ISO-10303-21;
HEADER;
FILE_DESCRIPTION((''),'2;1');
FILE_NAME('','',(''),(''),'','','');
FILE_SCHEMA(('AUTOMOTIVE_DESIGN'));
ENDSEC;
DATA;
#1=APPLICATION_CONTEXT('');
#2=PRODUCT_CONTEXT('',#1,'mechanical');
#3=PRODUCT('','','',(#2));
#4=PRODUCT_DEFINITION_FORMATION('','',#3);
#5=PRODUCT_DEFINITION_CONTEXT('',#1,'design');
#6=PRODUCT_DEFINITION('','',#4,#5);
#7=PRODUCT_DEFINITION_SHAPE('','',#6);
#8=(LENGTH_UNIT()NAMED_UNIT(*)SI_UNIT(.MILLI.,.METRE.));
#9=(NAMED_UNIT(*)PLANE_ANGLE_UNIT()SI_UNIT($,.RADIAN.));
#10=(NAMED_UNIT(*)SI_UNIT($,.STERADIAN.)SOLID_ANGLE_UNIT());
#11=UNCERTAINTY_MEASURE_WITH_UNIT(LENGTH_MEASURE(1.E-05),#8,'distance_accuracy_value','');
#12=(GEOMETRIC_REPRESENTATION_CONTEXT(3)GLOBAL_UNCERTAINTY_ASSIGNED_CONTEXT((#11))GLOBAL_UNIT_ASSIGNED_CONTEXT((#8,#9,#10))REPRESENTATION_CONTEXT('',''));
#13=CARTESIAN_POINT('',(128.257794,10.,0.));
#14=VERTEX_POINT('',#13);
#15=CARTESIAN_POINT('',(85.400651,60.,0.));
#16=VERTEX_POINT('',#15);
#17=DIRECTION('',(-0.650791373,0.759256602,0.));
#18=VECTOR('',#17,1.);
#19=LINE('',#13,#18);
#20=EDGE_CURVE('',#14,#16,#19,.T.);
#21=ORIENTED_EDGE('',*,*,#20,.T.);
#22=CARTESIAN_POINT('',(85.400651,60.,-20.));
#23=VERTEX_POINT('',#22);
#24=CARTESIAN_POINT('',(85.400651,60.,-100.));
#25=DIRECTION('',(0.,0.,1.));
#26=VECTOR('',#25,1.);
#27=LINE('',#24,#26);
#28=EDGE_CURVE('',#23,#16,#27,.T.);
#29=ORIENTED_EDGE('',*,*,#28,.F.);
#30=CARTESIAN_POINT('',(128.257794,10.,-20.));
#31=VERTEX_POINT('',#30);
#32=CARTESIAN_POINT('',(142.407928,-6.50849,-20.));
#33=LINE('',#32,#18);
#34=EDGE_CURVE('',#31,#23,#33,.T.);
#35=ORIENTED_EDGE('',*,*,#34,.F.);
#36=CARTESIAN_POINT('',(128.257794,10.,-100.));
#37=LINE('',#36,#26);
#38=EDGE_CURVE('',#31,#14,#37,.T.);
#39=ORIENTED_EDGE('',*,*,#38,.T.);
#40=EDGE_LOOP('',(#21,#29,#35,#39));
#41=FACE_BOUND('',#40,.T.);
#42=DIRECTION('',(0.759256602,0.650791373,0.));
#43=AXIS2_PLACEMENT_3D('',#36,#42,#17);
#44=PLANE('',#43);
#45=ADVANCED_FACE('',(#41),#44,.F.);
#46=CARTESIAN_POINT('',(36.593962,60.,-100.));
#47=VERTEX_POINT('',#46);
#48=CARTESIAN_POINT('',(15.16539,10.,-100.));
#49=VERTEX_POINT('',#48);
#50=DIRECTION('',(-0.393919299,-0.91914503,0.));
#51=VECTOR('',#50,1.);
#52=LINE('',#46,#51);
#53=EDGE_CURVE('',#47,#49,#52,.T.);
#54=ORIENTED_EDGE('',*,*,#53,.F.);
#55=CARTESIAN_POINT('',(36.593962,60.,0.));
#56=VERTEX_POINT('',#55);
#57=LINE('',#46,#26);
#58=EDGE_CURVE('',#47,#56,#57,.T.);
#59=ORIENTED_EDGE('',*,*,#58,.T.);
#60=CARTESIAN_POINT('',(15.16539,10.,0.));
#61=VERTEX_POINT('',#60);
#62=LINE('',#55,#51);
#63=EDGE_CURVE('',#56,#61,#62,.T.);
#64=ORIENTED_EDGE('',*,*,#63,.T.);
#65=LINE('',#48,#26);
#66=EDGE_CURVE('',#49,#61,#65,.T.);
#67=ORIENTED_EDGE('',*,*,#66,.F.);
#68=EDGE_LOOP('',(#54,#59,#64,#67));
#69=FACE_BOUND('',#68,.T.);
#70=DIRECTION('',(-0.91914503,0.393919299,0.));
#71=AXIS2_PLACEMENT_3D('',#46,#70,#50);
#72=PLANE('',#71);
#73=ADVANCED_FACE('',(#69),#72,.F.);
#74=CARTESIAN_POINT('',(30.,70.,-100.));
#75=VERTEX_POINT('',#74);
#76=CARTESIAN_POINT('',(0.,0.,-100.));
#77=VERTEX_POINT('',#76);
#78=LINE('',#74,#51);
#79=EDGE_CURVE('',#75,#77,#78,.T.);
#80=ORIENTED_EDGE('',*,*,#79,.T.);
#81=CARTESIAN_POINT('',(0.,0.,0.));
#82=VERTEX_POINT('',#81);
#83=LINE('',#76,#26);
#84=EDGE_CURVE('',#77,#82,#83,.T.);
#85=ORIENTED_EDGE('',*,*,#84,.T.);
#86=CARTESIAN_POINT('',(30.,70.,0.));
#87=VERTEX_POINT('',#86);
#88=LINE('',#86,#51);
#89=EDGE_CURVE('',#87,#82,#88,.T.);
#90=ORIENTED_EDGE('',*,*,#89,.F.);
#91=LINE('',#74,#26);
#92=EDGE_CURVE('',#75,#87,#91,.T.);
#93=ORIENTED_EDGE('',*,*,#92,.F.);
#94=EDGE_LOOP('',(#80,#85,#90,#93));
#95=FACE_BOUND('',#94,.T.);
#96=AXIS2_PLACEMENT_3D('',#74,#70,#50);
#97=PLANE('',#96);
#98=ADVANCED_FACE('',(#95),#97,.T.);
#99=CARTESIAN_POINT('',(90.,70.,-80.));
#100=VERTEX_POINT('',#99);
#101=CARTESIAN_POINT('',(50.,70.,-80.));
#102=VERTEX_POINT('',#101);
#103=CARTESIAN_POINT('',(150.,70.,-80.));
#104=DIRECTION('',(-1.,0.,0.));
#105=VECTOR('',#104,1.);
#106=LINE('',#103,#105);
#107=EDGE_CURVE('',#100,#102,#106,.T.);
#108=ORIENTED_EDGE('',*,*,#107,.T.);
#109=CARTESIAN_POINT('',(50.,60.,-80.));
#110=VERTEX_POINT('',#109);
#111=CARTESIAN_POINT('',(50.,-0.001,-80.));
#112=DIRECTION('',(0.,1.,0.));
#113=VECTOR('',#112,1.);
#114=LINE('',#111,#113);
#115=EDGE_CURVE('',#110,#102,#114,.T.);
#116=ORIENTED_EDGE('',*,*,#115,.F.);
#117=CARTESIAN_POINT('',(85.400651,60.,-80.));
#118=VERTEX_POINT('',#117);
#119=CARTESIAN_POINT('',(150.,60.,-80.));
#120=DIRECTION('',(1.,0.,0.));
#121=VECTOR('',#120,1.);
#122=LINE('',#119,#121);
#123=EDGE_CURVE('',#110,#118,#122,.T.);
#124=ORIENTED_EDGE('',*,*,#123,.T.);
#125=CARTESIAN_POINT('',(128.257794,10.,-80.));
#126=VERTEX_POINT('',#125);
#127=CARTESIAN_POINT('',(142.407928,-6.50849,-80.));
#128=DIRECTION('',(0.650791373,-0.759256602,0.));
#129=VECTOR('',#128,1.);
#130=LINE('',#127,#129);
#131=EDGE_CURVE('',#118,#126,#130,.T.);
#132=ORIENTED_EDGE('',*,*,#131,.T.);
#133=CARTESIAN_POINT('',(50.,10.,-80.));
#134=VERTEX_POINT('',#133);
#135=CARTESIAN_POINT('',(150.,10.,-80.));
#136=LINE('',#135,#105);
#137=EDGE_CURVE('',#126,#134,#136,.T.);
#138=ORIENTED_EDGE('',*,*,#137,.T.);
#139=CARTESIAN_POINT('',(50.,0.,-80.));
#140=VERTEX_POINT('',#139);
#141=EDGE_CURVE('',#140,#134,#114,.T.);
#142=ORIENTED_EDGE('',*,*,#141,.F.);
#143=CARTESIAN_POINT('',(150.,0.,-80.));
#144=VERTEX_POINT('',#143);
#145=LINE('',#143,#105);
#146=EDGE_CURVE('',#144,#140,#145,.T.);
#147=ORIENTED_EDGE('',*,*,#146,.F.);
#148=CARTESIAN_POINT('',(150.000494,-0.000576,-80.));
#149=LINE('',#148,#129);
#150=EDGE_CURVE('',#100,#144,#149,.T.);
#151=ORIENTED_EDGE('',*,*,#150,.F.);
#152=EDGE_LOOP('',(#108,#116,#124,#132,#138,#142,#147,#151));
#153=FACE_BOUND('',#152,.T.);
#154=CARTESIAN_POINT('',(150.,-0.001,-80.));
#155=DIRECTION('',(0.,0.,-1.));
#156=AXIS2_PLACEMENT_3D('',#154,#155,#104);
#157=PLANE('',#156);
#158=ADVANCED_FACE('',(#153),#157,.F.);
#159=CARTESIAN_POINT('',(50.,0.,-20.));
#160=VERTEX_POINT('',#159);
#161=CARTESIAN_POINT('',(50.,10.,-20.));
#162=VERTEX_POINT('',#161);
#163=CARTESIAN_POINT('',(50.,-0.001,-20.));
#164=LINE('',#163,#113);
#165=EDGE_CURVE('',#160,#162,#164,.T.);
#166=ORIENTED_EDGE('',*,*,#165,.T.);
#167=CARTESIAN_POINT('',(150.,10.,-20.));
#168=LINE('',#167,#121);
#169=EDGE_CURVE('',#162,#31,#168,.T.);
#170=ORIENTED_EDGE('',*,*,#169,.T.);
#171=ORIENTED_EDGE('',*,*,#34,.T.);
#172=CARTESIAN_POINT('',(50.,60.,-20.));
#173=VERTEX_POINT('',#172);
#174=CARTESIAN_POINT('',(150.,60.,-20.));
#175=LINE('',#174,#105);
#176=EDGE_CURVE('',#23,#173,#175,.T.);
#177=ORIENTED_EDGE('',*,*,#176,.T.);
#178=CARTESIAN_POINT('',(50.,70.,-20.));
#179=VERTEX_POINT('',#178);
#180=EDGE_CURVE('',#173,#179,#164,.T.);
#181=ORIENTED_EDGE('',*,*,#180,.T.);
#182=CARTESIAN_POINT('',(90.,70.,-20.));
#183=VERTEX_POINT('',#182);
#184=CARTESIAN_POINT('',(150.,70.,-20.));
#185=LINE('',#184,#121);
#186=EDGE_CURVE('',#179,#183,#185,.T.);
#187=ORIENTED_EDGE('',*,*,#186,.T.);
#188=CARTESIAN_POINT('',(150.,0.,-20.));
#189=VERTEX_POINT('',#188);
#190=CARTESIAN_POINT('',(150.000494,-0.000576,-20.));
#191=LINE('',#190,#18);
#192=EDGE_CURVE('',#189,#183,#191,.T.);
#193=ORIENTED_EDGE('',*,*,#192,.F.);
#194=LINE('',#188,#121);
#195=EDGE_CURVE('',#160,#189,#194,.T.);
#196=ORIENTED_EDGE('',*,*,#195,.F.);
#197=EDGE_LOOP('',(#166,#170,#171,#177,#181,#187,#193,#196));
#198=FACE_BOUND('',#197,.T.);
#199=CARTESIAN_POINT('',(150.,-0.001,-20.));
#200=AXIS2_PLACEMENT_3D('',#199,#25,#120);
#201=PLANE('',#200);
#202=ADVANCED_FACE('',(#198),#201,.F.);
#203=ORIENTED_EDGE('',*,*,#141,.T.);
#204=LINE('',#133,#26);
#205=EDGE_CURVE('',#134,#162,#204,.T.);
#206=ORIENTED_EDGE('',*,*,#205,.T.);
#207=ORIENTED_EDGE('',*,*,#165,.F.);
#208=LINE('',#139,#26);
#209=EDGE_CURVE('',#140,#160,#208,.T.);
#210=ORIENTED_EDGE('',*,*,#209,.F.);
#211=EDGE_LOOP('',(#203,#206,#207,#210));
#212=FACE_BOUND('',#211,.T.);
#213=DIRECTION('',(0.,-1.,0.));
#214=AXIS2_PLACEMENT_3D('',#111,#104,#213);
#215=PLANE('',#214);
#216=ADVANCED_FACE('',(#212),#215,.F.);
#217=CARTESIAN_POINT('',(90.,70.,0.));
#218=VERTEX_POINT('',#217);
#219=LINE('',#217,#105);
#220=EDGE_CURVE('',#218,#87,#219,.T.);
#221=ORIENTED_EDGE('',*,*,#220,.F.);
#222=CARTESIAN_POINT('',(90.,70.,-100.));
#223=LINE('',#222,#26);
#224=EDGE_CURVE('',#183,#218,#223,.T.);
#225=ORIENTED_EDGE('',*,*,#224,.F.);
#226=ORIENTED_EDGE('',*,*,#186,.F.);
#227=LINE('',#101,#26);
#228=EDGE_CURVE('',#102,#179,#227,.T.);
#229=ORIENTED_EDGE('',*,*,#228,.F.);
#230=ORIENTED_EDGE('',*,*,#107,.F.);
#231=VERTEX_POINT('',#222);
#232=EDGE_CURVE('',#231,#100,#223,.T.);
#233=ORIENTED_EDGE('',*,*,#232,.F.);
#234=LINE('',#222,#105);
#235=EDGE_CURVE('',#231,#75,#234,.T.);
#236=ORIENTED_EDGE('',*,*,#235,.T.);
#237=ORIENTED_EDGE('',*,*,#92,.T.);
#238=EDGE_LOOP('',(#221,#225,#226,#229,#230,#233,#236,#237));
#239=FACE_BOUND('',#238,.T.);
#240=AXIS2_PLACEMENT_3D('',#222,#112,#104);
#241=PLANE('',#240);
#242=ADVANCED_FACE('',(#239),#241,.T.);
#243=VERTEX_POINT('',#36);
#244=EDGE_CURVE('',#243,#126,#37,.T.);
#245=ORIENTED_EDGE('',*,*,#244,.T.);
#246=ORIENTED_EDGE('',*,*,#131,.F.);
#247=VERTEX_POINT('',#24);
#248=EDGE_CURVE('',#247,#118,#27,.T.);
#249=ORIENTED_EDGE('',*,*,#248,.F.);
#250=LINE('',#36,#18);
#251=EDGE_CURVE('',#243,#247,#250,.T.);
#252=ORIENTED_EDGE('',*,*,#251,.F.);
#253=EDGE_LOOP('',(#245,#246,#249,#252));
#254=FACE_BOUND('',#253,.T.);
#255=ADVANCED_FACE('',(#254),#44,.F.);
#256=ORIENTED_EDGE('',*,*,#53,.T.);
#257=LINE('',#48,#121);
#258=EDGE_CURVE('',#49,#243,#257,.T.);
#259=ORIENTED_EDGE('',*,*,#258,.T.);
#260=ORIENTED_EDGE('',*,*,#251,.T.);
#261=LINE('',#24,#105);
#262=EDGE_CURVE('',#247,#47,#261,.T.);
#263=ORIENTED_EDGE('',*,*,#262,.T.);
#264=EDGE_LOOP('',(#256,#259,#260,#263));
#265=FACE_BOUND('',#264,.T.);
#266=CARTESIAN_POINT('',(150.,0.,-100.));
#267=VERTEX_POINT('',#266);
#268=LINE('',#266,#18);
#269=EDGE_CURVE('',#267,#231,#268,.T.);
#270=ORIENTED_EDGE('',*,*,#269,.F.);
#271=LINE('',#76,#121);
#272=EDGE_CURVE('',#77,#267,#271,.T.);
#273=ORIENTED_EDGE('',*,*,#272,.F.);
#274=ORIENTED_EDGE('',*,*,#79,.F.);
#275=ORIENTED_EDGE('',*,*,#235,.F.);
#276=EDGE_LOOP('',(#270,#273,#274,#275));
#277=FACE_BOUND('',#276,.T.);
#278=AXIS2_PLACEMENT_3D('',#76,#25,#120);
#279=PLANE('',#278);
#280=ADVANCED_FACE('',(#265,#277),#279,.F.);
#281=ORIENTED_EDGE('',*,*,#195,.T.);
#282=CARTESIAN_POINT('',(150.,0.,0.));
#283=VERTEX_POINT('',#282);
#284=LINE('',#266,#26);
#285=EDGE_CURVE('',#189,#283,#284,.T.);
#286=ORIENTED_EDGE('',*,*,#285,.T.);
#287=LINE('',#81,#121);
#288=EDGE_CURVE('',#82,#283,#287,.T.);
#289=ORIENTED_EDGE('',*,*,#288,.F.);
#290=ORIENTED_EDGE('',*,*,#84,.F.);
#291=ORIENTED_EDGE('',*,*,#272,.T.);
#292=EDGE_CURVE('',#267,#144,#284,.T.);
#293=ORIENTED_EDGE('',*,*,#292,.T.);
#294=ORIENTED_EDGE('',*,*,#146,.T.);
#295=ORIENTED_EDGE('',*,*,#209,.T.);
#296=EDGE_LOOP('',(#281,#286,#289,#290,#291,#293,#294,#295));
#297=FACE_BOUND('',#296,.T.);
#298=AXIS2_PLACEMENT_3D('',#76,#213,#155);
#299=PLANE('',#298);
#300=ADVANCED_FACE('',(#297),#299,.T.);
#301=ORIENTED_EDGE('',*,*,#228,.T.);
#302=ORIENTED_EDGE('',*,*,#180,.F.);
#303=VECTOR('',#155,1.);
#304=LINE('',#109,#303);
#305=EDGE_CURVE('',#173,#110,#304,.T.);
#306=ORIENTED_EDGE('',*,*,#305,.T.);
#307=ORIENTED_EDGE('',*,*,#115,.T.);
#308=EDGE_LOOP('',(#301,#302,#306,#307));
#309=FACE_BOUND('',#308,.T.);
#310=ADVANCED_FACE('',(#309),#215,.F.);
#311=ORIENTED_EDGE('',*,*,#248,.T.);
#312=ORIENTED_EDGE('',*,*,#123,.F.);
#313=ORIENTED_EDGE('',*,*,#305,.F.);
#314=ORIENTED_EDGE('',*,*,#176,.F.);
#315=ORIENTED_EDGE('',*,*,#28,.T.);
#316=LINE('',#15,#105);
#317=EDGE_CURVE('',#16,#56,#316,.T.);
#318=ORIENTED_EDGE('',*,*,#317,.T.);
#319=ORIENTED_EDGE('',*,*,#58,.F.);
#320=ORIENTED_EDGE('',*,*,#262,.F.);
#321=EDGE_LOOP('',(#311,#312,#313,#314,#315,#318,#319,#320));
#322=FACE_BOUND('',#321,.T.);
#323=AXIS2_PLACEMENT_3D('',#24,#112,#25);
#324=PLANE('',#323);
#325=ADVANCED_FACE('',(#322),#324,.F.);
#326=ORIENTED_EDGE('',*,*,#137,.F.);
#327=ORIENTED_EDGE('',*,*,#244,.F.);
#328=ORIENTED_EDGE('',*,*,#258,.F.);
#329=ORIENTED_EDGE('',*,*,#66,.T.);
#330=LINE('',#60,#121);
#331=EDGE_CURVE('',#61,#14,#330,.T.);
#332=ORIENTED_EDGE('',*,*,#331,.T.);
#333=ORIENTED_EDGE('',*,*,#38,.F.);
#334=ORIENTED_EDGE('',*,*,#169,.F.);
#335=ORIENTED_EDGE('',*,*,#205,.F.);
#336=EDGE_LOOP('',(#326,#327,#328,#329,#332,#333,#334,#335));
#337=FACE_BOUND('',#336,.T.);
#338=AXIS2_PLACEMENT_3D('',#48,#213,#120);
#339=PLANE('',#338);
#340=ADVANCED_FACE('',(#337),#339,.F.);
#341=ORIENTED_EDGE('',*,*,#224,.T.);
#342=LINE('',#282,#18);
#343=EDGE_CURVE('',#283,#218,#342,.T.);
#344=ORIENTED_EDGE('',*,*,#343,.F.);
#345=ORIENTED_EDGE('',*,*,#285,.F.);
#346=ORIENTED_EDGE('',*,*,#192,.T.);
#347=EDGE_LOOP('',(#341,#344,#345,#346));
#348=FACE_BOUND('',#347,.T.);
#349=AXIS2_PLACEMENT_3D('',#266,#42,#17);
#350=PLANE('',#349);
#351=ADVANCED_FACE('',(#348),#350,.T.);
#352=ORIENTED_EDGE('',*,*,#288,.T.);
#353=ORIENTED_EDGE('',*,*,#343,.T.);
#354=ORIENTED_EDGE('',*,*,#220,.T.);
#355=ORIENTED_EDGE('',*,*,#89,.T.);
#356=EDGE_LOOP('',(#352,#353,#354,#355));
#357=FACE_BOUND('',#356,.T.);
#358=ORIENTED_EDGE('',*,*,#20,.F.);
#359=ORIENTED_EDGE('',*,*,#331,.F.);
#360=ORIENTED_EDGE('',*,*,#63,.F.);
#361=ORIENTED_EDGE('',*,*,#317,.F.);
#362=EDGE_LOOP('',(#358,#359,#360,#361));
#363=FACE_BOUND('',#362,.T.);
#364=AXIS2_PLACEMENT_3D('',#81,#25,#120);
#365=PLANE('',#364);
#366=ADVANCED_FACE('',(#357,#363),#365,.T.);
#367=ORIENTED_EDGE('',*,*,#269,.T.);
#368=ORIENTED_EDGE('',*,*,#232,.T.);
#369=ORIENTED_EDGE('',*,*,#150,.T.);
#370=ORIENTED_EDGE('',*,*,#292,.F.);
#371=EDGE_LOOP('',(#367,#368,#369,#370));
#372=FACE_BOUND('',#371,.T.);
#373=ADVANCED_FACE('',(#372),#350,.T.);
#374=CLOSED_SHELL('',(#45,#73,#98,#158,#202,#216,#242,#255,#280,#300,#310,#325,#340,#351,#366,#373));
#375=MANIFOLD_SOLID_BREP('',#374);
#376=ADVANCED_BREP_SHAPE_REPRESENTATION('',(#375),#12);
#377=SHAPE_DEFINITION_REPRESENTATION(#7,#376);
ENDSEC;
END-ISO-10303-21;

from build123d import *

# Parameters (mm, degrees)
BOSS_EXTRU_2_DEPTH      = 100
ENL_V_MAT_EXTRU_1_REACH = 72
ESQUISSE2_W             = 100
ESQUISSE2_H             = 60


with BuildPart() as part:
    # Esquisse1 → Boss.-Extru.2 (new body)
    with BuildSketch(Plane.XY):
        Polygon((0, 0), (150, 0), (90, 70), (30, 70), align=None)
        Polygon((36.59396158, 60), (15.165390151, 10), (128.257793632, 10), (85.400650775, 60), align=None, mode=Mode.SUBTRACT)
    extrude(amount=-BOSS_EXTRU_2_DEPTH)

    # Esquisse2 → Enlèv. mat.-Extru.1 (cut, up to next)
    with BuildSketch(Plane(origin=(0, 70, 0), x_dir=(1, 0, 0), z_dir=(0, 1, 0)), mode=Mode.PRIVATE) as enl_v_mat_extru_1_sk1:
        with Locations((100, 50)):
            Rectangle(ESQUISSE2_W, ESQUISSE2_H)
    enl_v_mat_extru_1_tool1 = extrude(enl_v_mat_extru_1_sk1.sketch, amount=-ENL_V_MAT_EXTRU_1_REACH, mode=Mode.PRIVATE) & part.part
    add(enl_v_mat_extru_1_tool1.solids().sort_by_distance((100, 70, -50))[0], mode=Mode.SUBTRACT)


solid = part.part
